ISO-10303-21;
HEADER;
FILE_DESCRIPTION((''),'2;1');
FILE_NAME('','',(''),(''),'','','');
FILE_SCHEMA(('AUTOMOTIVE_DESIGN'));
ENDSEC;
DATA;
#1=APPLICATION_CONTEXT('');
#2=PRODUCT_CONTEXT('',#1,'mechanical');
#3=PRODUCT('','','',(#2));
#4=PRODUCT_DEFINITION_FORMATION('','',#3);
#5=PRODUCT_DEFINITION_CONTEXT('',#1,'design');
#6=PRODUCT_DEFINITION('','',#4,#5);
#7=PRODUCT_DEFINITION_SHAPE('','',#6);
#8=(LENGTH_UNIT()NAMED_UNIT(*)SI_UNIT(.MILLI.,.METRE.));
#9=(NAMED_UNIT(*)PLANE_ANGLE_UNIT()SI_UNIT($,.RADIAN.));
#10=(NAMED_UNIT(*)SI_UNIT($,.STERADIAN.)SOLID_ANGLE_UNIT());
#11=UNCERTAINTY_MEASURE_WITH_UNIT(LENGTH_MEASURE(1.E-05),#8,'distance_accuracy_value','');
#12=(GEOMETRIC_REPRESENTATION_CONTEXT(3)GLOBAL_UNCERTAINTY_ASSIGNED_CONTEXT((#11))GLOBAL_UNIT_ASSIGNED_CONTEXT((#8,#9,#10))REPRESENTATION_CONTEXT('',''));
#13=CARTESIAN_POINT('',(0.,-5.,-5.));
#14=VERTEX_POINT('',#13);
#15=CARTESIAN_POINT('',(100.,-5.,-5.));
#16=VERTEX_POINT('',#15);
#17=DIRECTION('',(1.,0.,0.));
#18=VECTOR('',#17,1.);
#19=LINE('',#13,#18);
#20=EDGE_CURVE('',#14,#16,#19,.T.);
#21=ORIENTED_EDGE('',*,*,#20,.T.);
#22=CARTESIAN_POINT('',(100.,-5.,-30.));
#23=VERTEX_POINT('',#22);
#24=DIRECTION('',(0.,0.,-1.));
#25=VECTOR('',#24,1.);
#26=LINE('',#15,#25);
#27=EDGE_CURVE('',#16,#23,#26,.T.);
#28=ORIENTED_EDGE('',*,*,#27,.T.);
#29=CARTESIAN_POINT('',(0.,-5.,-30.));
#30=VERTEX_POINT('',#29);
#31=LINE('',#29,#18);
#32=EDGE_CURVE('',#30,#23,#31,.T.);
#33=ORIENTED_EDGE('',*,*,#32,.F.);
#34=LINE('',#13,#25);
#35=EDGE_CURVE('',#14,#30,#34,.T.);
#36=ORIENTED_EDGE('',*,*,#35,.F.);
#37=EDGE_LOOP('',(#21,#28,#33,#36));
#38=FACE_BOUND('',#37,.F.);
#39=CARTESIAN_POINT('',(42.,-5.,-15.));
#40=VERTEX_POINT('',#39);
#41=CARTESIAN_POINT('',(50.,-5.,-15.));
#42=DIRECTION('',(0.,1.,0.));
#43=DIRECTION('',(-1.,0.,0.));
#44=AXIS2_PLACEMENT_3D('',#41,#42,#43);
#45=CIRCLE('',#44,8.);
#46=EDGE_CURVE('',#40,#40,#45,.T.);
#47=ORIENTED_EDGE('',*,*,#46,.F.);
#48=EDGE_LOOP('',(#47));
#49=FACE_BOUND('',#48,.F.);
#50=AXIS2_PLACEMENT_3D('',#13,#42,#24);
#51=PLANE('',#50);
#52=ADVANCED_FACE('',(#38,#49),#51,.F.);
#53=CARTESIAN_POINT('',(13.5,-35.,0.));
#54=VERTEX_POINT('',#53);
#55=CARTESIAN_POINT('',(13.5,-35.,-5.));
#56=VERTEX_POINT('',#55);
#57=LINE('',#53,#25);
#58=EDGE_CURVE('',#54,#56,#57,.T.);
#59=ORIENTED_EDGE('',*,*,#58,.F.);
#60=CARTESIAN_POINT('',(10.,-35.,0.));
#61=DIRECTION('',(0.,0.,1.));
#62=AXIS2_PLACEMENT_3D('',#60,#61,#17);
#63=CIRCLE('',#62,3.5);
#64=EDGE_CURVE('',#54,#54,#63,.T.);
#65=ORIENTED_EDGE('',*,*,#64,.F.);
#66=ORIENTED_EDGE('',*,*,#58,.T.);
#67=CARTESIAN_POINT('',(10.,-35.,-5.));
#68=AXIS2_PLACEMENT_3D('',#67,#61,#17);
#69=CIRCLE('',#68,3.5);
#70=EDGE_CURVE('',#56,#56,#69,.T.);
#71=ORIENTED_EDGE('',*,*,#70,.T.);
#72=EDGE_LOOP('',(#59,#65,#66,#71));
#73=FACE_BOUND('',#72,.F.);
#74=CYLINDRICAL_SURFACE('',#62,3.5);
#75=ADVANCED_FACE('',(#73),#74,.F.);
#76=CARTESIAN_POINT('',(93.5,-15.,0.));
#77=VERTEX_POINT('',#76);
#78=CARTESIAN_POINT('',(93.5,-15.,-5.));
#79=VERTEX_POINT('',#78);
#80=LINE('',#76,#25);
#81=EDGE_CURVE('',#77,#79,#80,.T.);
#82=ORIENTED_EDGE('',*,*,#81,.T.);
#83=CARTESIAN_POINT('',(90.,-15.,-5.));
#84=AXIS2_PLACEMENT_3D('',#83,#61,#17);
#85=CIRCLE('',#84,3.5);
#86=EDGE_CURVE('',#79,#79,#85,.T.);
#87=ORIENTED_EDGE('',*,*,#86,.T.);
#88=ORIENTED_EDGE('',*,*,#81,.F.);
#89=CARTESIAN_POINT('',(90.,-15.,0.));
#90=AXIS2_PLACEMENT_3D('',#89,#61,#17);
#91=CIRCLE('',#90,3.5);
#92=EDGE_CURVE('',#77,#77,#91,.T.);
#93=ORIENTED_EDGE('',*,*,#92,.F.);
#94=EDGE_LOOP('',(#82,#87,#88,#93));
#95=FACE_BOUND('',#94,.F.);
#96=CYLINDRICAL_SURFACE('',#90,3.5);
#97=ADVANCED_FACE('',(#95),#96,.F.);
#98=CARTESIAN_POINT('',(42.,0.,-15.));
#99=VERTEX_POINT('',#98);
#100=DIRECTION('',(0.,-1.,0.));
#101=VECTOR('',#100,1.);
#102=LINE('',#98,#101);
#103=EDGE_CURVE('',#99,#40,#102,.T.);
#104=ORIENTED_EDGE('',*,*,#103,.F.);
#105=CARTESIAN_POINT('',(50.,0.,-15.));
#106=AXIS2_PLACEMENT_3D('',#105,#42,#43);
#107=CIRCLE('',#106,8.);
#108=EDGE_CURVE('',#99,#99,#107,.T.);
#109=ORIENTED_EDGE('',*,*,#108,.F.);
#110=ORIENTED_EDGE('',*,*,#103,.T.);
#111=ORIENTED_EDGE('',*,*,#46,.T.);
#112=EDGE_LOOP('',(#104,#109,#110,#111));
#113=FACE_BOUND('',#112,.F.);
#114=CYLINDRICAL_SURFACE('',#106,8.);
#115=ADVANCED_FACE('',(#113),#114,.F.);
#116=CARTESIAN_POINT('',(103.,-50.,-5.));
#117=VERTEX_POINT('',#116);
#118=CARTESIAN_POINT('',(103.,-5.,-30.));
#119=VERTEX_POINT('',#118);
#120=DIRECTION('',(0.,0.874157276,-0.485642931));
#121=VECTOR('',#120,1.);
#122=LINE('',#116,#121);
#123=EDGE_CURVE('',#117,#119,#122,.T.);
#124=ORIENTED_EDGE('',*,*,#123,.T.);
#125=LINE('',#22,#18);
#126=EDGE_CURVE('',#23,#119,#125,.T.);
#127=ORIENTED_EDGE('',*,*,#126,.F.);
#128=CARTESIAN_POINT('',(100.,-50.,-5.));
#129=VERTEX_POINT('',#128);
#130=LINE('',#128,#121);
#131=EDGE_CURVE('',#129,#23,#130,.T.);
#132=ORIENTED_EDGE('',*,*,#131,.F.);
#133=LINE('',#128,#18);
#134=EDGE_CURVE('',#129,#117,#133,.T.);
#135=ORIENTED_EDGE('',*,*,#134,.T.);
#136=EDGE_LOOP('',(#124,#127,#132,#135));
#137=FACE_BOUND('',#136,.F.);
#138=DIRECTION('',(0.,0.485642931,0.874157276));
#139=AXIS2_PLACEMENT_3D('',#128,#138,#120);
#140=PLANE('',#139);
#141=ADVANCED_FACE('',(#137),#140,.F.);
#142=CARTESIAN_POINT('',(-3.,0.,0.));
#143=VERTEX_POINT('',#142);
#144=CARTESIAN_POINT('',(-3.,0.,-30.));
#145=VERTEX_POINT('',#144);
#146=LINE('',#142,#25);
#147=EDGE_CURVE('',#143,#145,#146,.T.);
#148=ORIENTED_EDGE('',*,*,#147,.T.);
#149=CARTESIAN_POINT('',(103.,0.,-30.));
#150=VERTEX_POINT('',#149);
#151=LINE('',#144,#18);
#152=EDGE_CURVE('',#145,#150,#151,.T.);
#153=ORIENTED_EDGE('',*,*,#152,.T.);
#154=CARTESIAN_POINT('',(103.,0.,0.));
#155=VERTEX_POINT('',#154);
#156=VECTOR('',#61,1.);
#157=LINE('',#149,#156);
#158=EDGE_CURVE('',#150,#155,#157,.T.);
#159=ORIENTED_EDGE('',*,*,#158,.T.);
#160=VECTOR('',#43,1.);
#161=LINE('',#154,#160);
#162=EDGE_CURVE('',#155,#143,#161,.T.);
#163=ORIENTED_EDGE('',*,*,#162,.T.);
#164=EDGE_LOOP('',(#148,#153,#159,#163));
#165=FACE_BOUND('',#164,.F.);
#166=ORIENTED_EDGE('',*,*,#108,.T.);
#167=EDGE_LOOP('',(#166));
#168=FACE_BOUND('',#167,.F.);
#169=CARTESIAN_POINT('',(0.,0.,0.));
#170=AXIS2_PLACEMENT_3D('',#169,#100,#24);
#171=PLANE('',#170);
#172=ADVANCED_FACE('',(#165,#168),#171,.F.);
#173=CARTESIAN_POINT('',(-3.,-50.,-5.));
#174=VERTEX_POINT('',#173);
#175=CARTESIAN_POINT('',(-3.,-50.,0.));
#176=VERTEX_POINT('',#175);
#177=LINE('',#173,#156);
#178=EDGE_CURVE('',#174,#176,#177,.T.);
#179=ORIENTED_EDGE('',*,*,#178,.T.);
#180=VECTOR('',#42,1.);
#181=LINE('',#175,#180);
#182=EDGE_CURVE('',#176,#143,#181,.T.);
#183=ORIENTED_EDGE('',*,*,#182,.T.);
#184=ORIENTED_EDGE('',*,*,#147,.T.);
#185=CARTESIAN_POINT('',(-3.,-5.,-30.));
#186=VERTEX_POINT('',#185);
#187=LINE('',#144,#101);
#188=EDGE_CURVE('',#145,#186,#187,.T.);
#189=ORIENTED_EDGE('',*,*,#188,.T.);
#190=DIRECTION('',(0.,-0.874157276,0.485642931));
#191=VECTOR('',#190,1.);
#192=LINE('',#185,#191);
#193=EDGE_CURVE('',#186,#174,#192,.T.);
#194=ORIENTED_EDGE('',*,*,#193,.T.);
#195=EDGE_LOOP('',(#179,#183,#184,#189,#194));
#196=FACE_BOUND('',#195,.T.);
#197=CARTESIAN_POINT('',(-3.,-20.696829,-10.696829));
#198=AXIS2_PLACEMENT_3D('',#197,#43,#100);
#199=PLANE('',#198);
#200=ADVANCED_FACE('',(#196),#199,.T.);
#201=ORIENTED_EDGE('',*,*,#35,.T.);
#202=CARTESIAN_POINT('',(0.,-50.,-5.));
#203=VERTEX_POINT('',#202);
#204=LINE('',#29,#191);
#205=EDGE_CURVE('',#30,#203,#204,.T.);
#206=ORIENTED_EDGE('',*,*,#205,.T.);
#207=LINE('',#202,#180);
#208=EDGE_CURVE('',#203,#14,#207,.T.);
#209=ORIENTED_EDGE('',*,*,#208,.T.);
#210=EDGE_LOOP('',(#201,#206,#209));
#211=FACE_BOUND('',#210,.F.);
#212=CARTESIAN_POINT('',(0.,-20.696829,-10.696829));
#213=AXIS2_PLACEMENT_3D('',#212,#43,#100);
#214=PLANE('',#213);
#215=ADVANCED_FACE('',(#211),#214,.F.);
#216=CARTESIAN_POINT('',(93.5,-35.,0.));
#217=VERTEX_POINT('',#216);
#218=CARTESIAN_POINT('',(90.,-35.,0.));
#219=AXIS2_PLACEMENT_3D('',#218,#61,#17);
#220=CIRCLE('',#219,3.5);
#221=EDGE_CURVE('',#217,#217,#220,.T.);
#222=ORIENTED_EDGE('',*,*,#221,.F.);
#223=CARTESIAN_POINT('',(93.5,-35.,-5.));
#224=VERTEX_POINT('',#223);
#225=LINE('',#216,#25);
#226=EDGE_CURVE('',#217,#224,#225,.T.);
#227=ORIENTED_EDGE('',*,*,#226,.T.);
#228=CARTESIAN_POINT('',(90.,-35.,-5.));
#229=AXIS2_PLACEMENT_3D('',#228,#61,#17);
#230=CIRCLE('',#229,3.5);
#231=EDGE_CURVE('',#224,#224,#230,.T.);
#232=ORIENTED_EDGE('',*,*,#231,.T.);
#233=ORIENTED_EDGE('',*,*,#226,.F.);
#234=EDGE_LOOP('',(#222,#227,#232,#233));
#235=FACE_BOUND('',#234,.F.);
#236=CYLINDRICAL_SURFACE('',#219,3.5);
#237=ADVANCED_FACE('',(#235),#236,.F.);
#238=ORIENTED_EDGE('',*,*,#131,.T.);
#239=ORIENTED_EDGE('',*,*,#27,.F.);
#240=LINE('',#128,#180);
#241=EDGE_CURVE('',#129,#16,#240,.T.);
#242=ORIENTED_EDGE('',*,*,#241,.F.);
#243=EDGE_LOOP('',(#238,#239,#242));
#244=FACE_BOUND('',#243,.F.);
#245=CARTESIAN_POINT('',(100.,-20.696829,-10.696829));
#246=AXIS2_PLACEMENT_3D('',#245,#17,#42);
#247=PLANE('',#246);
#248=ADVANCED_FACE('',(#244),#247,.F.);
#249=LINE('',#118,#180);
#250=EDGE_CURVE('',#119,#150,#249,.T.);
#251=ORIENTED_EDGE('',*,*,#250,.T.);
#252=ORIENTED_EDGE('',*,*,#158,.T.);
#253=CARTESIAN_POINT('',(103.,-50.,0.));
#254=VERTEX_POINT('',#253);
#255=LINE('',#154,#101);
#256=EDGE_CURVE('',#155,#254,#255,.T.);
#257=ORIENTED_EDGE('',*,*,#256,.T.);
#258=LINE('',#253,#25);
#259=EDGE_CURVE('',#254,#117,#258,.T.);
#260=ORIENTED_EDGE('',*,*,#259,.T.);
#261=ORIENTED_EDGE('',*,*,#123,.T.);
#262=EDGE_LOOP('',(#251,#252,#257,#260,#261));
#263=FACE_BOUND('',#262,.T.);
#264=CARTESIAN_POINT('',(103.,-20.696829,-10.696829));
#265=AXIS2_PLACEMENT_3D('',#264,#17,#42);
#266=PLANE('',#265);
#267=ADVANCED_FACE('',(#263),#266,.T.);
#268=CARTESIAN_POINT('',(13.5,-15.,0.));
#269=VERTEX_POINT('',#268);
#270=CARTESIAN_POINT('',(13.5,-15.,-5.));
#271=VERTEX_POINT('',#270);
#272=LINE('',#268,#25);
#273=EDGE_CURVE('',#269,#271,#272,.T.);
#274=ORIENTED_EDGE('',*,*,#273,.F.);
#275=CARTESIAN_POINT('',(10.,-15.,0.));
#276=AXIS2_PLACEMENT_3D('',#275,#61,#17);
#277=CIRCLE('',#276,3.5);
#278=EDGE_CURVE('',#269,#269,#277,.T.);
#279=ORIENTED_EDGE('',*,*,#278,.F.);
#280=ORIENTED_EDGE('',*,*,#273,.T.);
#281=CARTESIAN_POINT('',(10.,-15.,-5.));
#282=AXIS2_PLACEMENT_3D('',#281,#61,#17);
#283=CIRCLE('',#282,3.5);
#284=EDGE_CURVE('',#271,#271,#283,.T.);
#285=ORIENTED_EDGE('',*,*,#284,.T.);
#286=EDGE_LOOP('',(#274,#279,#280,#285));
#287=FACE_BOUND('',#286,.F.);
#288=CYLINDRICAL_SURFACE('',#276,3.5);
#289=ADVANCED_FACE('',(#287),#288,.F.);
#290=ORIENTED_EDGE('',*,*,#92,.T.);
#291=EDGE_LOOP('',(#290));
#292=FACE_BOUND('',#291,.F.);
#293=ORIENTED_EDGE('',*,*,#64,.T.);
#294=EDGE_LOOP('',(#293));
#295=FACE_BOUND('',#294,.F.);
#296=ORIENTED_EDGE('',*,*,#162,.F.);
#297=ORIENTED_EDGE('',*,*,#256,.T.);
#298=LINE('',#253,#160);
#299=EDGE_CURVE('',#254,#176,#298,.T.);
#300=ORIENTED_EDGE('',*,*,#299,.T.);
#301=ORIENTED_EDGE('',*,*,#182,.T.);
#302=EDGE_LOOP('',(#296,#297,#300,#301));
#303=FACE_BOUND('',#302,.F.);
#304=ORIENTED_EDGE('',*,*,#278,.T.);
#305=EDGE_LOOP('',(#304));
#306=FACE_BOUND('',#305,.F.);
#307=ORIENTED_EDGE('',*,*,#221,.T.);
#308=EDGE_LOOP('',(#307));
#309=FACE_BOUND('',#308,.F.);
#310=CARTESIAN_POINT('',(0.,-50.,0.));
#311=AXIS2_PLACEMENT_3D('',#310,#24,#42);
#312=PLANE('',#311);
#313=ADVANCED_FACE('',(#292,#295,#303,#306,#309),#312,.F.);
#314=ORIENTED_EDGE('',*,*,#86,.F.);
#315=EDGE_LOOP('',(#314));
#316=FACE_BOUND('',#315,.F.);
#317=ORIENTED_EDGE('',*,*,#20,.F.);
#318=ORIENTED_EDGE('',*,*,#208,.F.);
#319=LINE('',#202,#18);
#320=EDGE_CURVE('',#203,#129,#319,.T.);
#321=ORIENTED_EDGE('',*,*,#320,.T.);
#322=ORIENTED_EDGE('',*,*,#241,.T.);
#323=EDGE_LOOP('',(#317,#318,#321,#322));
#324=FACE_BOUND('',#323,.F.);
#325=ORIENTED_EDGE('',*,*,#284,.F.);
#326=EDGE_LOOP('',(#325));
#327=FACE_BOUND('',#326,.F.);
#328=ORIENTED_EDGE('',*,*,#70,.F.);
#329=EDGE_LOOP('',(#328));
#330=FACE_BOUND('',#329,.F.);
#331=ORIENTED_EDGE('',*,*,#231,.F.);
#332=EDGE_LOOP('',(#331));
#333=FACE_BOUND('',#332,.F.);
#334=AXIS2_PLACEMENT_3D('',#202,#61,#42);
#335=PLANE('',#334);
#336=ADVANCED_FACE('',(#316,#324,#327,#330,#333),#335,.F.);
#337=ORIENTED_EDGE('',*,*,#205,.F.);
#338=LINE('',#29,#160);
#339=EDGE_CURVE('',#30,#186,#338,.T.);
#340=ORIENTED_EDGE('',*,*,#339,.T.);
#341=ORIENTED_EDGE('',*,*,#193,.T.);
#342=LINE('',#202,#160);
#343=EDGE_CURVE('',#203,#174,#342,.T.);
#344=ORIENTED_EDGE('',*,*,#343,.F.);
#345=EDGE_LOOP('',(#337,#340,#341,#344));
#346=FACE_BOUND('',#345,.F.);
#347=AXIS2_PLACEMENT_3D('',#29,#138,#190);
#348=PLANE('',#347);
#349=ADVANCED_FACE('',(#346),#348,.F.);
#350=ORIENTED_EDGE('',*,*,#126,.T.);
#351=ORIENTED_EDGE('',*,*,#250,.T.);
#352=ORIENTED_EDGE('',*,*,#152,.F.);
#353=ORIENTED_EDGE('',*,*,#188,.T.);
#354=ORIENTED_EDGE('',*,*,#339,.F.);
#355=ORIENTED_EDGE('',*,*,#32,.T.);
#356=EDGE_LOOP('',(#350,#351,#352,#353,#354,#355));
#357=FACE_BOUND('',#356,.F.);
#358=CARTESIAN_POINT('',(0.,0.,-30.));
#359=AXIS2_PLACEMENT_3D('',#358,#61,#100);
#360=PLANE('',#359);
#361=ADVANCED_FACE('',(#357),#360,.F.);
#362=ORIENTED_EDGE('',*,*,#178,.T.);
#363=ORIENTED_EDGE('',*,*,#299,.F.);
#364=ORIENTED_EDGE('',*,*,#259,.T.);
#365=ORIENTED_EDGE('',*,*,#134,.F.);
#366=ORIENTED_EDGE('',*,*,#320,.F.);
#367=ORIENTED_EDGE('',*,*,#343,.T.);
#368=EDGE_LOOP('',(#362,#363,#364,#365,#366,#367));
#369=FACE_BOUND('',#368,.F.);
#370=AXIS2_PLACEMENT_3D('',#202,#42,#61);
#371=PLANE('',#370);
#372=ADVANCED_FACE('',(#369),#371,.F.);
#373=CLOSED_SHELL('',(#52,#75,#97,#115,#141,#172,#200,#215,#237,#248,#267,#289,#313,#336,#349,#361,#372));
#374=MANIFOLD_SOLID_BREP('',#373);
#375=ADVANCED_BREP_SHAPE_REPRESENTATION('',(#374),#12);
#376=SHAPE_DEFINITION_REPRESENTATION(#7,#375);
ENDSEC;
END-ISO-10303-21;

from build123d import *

# Parameters (mm, degrees)
F1_DEPTH = 100
F2_R     = 3.5
F3_DEPTH = 30.001
F4_R     = 8
F5_DEPTH = 50.001
F7_DEPTH = 3
F9_DEPTH = 3


with BuildPart() as f1:
    # F0 (on Right) → F1 (new body)
    with BuildSketch(Plane.YZ):
        Polygon((0, 0), (-50, 0), (-50, -5), (-5, -5), (-5, -30), (0, -30), align=None)
    extrude(amount=F1_DEPTH)

    # F2 (on face) → F3 (cut, through all)
    with BuildSketch(Plane.XY):
        with Locations((10, -35)):
            Circle(F2_R)
        with Locations((10, -15)):
            Circle(F2_R)
        with Locations((90, -35)):
            Circle(F2_R)
        with Locations((90, -15)):
            Circle(F2_R)
    extrude(amount=-F3_DEPTH, mode=Mode.SUBTRACT)

    # F4 (on face) → F5 (cut, through all)
    with BuildSketch(Plane(origin=(0, 0, 0), x_dir=(-1, 0, 0), z_dir=(0, 1, 0))):
        with Locations((-50, -15)):
            Circle(F4_R)
    extrude(amount=-F5_DEPTH, mode=Mode.SUBTRACT)

    # F6 (on face) → F7 (join)
    with BuildSketch(Plane.YZ.offset(100)):
        Polygon((0, 0), (-50, 0), (-50, -5), (-5, -30), (0, -30), align=None)
    extrude(amount=F7_DEPTH)

    # F8 (on face) → F9 (join)
    with BuildSketch(Plane(origin=(0, 0, 0), x_dir=(0, -1, 0), z_dir=(-1, 0, 0))):
        Polygon((50, -5), (50, 0), (0, 0), (0, -30), (5, -30), align=None)
    extrude(amount=F9_DEPTH)


solid = f1.part
